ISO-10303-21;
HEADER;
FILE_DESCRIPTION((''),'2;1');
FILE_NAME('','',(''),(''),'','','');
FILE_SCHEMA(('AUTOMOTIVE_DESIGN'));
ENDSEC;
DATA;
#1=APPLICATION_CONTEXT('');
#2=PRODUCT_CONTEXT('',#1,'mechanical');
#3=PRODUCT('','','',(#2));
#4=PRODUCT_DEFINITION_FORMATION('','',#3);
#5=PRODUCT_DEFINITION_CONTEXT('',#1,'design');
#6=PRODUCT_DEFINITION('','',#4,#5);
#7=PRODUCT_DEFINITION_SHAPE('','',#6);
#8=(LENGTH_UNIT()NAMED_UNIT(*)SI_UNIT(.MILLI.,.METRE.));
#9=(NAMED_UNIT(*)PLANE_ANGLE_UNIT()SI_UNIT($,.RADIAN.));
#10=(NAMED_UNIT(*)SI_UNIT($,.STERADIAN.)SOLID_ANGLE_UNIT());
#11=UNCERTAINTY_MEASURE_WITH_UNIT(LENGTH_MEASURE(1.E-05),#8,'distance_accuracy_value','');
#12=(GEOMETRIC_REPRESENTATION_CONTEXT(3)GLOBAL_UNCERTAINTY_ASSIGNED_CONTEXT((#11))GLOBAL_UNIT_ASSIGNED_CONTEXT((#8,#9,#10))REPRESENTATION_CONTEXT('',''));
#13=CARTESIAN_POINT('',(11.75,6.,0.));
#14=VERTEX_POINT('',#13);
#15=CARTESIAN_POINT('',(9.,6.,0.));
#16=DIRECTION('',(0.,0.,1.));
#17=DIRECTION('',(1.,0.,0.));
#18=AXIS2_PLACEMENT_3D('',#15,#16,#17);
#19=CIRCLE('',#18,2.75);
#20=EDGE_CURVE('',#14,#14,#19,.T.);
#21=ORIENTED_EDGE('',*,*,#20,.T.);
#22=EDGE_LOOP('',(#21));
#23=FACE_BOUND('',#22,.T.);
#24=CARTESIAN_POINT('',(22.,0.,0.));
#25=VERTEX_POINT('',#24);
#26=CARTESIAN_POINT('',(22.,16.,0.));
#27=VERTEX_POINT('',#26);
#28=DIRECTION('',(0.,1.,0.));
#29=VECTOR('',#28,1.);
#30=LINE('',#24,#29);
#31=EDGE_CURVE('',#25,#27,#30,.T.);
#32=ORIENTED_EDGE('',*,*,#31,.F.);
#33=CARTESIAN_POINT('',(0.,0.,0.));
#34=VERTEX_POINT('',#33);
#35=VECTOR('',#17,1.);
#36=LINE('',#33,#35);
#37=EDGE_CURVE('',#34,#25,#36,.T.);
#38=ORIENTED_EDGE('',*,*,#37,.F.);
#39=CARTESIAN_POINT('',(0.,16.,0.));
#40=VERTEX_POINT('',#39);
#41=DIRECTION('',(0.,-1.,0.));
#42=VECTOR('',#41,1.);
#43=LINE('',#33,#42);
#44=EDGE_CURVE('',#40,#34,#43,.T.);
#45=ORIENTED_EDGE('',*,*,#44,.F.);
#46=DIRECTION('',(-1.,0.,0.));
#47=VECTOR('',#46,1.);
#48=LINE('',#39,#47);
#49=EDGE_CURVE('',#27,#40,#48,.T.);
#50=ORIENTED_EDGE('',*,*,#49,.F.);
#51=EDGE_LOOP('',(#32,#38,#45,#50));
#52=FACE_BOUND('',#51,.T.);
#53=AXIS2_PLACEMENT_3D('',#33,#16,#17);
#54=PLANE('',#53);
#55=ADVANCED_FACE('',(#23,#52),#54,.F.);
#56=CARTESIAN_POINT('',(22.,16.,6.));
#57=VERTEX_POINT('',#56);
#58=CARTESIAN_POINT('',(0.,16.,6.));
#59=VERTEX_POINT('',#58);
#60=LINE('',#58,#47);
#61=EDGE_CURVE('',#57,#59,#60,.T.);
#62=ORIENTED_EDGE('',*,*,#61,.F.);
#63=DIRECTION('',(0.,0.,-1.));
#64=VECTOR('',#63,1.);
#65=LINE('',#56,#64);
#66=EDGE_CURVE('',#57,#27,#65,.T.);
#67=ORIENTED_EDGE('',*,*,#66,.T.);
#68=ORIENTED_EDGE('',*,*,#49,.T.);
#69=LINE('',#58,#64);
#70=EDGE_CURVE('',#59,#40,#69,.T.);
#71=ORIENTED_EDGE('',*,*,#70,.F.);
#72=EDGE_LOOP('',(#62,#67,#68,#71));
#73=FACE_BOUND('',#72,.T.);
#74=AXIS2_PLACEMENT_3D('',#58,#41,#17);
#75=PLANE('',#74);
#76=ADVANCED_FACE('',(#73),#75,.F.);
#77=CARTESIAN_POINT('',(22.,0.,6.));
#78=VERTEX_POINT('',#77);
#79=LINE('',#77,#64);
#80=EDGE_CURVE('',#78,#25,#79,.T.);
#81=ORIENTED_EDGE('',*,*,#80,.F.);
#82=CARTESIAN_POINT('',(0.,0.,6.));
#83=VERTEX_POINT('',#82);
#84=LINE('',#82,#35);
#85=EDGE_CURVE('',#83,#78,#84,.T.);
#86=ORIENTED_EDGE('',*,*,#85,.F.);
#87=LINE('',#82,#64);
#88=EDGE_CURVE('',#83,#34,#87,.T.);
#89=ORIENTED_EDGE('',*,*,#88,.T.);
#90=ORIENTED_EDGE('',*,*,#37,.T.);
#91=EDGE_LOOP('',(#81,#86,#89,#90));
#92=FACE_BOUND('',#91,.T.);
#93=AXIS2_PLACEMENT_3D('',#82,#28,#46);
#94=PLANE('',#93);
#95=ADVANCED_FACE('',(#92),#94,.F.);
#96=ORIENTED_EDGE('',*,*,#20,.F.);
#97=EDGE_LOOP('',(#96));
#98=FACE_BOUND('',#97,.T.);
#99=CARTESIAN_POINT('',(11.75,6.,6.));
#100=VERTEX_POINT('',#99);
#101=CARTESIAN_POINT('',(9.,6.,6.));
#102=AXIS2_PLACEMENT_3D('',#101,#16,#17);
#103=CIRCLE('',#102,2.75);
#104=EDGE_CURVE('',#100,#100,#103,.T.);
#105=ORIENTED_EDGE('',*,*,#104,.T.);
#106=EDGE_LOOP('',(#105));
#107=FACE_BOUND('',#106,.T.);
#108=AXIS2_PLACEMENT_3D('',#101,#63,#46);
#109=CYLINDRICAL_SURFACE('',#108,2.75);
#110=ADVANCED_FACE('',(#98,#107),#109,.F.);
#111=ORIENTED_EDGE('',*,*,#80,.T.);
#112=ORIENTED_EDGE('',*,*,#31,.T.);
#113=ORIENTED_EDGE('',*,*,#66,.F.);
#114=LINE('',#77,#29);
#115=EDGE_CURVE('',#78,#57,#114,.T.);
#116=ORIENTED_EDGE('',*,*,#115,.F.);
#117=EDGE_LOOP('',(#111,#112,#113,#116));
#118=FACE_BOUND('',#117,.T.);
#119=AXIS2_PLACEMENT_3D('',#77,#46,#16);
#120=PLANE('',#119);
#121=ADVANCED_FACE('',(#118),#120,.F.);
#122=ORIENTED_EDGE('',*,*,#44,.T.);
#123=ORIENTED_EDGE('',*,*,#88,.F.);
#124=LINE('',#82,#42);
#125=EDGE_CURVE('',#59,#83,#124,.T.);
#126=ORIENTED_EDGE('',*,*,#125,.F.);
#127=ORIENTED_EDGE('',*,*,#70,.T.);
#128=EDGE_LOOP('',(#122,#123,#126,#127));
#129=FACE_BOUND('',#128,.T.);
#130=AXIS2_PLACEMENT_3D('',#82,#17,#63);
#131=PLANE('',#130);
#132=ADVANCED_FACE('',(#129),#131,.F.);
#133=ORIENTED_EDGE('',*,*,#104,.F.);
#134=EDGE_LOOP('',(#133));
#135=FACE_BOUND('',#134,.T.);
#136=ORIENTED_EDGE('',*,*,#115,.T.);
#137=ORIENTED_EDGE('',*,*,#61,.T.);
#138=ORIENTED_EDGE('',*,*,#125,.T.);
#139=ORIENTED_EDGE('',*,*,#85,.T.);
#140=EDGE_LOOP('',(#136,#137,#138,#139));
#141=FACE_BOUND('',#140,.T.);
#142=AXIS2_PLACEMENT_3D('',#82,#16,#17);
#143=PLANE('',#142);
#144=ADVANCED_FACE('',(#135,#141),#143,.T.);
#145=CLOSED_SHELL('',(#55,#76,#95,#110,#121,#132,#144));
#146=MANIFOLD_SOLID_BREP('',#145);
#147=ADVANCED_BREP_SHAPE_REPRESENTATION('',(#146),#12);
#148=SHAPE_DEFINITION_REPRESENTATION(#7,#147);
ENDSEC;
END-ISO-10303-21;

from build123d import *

# Parameters (mm, degrees)
SKETCH2_W           = 22
SKETCH2_H           = 16
SKETCH2_R           = 2.75
BOSS_EXTRUDE1_DEPTH = 6


with BuildPart() as part:
    # Sketch2 → Boss-Extrude1 (new body)
    with BuildSketch(Plane.XY):
        with Locations((11, 8)):
            Rectangle(SKETCH2_W, SKETCH2_H)
        with Locations((9, 6)):
            Circle(SKETCH2_R, mode=Mode.SUBTRACT)
    extrude(amount=BOSS_EXTRUDE1_DEPTH)


solid = part.part
